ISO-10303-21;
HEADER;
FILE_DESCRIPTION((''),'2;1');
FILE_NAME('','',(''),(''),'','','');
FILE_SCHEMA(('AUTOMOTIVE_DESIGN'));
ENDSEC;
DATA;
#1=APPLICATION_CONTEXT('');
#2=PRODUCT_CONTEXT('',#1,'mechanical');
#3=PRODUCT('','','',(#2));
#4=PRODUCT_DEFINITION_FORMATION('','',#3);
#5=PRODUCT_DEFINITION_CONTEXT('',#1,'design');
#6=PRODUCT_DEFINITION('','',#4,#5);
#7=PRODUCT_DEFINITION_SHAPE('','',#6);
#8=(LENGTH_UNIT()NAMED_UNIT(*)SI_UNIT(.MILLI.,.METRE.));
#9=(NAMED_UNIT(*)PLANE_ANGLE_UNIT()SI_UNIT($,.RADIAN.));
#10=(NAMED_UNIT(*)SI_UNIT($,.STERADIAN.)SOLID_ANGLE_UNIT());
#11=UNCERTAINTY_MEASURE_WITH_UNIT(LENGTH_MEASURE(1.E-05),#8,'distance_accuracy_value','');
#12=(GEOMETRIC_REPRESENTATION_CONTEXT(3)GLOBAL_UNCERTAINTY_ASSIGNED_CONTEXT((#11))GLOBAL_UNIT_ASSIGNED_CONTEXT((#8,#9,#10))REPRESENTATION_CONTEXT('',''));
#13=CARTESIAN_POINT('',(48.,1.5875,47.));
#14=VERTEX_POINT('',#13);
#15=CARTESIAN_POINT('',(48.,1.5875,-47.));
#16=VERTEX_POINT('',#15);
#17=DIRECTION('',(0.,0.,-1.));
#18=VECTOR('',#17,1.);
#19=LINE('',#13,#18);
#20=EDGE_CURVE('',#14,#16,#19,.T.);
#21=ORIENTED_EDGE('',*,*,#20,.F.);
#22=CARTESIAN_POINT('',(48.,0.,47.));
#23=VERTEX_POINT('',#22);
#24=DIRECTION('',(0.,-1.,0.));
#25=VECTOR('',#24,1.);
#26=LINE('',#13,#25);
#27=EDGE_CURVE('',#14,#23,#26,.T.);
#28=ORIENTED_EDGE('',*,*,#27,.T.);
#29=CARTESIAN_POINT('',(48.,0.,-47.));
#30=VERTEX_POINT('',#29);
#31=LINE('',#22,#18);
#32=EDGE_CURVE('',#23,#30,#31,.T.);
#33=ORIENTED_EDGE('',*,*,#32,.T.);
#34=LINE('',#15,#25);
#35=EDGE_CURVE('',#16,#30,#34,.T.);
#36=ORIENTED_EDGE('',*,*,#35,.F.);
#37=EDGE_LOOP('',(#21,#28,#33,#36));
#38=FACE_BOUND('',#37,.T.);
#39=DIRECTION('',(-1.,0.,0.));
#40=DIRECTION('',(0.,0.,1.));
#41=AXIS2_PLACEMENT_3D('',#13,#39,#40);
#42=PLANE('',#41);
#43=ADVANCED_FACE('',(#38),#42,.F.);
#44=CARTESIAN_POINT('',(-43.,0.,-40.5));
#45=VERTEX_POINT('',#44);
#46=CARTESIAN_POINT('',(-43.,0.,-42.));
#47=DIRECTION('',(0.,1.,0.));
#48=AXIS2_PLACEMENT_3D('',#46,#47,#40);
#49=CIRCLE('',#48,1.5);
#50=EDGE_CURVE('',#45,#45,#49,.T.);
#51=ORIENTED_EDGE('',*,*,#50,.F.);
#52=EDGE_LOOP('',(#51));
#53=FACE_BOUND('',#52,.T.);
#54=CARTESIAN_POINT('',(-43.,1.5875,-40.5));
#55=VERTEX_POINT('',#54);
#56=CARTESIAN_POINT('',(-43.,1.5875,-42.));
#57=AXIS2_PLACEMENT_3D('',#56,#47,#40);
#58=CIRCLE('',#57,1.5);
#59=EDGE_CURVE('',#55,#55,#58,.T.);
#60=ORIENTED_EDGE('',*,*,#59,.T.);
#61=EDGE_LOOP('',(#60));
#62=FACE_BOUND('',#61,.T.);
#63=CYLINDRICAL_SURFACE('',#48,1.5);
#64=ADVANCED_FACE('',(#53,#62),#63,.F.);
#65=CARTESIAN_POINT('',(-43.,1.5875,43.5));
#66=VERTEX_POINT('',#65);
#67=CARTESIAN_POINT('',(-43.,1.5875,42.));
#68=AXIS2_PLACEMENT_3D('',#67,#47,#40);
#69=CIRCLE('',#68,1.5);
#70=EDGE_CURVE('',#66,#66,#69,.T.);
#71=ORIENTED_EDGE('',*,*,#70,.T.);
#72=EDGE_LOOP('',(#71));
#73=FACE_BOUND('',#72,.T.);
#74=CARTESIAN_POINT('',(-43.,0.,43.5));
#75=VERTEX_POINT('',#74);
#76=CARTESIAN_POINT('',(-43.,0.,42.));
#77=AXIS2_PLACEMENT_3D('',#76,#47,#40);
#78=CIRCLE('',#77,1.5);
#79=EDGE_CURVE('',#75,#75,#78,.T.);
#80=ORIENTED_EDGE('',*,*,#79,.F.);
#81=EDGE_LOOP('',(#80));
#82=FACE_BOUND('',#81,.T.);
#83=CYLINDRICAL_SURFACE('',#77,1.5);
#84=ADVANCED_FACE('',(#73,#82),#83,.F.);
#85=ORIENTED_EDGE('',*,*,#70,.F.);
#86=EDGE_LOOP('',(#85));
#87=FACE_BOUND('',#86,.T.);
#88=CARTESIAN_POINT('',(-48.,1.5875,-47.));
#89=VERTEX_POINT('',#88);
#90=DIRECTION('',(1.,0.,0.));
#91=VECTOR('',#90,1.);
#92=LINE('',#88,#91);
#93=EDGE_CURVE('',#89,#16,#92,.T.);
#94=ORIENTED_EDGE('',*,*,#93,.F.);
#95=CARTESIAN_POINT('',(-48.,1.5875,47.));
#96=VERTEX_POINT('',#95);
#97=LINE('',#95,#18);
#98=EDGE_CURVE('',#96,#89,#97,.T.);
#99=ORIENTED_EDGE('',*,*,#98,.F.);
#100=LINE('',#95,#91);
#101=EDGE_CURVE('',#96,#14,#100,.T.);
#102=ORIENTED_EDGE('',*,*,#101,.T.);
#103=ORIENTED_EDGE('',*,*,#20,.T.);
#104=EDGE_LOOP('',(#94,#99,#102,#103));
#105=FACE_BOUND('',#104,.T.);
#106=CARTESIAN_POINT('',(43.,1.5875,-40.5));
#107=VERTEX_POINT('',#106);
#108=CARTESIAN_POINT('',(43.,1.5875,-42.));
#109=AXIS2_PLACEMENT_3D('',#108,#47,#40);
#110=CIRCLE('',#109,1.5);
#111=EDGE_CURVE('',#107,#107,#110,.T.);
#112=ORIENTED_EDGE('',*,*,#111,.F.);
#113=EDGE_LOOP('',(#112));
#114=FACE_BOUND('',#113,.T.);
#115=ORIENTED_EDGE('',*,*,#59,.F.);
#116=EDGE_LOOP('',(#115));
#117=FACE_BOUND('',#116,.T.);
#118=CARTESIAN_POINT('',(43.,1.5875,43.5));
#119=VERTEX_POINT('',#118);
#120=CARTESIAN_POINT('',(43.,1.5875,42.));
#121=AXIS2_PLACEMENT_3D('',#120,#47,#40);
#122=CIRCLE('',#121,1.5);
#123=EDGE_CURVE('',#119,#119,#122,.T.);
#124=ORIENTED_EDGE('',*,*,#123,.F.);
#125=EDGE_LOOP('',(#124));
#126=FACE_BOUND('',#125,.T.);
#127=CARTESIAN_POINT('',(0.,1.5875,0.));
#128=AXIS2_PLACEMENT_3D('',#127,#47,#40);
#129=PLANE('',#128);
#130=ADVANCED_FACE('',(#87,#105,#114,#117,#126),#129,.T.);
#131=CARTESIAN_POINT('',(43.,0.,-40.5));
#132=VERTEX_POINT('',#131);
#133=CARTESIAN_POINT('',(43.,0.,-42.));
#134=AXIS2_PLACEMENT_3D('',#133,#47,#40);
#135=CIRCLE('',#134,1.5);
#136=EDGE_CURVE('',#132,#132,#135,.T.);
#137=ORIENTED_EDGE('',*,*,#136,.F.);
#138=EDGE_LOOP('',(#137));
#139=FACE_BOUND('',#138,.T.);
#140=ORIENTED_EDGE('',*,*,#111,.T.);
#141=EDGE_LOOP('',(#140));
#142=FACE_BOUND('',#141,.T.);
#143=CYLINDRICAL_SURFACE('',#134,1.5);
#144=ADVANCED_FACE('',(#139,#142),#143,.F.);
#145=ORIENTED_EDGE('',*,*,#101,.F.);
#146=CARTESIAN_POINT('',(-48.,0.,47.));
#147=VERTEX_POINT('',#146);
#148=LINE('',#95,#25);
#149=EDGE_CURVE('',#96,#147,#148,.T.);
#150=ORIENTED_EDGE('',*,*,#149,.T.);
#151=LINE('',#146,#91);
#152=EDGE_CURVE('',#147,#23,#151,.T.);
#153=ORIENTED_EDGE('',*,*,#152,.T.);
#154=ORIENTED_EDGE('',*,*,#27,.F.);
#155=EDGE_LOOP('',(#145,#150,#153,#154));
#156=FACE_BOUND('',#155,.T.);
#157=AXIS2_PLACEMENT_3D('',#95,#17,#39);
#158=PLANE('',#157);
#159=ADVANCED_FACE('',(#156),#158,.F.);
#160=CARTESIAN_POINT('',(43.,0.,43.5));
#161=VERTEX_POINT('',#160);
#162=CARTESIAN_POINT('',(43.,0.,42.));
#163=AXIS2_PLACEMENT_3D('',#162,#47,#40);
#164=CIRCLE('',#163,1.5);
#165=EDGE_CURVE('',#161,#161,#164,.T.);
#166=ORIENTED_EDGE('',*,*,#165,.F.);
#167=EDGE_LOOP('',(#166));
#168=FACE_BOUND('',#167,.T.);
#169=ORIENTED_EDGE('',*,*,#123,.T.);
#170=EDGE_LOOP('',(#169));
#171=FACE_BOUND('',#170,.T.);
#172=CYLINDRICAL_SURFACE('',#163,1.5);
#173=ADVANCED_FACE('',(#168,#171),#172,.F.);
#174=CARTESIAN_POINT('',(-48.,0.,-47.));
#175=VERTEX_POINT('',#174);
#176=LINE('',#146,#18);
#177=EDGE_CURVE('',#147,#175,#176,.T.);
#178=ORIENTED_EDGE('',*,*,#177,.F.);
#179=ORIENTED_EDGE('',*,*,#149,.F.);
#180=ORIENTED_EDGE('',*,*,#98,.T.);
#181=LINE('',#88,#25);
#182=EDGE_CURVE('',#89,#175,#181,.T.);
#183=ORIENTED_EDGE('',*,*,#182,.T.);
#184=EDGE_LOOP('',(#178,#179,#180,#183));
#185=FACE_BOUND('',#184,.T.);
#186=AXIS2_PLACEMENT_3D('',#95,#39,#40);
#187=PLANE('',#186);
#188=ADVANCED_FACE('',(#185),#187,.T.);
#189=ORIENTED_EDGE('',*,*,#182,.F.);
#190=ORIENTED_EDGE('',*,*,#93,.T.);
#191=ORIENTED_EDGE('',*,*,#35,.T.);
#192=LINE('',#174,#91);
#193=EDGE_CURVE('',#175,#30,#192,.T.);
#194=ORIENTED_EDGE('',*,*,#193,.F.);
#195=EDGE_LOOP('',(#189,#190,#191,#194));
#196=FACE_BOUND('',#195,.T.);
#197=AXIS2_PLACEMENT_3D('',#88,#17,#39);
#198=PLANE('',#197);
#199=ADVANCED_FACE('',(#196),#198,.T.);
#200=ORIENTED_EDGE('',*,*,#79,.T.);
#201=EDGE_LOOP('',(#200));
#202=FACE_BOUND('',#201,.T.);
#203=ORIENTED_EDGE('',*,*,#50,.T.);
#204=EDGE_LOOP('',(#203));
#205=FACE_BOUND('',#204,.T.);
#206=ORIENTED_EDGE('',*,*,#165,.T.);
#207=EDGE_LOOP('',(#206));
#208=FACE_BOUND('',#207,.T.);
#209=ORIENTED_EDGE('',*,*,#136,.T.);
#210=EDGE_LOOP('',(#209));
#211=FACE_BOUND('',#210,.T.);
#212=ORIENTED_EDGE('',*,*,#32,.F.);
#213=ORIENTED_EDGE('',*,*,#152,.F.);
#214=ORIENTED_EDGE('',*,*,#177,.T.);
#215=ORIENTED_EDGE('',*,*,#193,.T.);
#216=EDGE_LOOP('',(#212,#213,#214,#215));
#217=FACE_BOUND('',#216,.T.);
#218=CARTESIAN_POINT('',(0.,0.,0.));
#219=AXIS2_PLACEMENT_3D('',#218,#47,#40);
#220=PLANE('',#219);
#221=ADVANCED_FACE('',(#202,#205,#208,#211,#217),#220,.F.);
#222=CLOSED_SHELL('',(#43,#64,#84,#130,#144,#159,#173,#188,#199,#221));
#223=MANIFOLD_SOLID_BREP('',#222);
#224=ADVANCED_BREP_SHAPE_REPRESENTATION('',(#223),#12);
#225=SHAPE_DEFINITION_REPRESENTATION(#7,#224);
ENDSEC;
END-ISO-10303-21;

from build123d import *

# Parameters (mm, degrees)
SKETCH1_W           = 96
SKETCH1_H           = 94
BOSS_EXTRUDE1_DEPTH = 1.5875
SKETCH2_R           = 1.5
CUT_EXTRUDE1_DEPTH  = 2.5875


with BuildPart() as part:
    # Sketch1 → Boss-Extrude1 (new body)
    with BuildSketch(Plane(origin=(0, 0, 0), x_dir=(1, 0, 0), z_dir=(0, 1, 0))):
        Rectangle(SKETCH1_W, SKETCH1_H)
    extrude(amount=BOSS_EXTRUDE1_DEPTH)

    # Sketch2 → Cut-Extrude1 (cut, through all)
    with BuildSketch(Plane(origin=(0, 1.5875, 0), x_dir=(1, 0, 0), z_dir=(0, 1, 0))):
        with Locations((-43, 42)):
            Circle(SKETCH2_R)
        with Locations((43, 42)):
            Circle(SKETCH2_R)
        with Locations((43, -42)):
            Circle(SKETCH2_R)
        with Locations((-43, -42)):
            Circle(SKETCH2_R)
    extrude(amount=-CUT_EXTRUDE1_DEPTH, mode=Mode.SUBTRACT)


solid = part.part
